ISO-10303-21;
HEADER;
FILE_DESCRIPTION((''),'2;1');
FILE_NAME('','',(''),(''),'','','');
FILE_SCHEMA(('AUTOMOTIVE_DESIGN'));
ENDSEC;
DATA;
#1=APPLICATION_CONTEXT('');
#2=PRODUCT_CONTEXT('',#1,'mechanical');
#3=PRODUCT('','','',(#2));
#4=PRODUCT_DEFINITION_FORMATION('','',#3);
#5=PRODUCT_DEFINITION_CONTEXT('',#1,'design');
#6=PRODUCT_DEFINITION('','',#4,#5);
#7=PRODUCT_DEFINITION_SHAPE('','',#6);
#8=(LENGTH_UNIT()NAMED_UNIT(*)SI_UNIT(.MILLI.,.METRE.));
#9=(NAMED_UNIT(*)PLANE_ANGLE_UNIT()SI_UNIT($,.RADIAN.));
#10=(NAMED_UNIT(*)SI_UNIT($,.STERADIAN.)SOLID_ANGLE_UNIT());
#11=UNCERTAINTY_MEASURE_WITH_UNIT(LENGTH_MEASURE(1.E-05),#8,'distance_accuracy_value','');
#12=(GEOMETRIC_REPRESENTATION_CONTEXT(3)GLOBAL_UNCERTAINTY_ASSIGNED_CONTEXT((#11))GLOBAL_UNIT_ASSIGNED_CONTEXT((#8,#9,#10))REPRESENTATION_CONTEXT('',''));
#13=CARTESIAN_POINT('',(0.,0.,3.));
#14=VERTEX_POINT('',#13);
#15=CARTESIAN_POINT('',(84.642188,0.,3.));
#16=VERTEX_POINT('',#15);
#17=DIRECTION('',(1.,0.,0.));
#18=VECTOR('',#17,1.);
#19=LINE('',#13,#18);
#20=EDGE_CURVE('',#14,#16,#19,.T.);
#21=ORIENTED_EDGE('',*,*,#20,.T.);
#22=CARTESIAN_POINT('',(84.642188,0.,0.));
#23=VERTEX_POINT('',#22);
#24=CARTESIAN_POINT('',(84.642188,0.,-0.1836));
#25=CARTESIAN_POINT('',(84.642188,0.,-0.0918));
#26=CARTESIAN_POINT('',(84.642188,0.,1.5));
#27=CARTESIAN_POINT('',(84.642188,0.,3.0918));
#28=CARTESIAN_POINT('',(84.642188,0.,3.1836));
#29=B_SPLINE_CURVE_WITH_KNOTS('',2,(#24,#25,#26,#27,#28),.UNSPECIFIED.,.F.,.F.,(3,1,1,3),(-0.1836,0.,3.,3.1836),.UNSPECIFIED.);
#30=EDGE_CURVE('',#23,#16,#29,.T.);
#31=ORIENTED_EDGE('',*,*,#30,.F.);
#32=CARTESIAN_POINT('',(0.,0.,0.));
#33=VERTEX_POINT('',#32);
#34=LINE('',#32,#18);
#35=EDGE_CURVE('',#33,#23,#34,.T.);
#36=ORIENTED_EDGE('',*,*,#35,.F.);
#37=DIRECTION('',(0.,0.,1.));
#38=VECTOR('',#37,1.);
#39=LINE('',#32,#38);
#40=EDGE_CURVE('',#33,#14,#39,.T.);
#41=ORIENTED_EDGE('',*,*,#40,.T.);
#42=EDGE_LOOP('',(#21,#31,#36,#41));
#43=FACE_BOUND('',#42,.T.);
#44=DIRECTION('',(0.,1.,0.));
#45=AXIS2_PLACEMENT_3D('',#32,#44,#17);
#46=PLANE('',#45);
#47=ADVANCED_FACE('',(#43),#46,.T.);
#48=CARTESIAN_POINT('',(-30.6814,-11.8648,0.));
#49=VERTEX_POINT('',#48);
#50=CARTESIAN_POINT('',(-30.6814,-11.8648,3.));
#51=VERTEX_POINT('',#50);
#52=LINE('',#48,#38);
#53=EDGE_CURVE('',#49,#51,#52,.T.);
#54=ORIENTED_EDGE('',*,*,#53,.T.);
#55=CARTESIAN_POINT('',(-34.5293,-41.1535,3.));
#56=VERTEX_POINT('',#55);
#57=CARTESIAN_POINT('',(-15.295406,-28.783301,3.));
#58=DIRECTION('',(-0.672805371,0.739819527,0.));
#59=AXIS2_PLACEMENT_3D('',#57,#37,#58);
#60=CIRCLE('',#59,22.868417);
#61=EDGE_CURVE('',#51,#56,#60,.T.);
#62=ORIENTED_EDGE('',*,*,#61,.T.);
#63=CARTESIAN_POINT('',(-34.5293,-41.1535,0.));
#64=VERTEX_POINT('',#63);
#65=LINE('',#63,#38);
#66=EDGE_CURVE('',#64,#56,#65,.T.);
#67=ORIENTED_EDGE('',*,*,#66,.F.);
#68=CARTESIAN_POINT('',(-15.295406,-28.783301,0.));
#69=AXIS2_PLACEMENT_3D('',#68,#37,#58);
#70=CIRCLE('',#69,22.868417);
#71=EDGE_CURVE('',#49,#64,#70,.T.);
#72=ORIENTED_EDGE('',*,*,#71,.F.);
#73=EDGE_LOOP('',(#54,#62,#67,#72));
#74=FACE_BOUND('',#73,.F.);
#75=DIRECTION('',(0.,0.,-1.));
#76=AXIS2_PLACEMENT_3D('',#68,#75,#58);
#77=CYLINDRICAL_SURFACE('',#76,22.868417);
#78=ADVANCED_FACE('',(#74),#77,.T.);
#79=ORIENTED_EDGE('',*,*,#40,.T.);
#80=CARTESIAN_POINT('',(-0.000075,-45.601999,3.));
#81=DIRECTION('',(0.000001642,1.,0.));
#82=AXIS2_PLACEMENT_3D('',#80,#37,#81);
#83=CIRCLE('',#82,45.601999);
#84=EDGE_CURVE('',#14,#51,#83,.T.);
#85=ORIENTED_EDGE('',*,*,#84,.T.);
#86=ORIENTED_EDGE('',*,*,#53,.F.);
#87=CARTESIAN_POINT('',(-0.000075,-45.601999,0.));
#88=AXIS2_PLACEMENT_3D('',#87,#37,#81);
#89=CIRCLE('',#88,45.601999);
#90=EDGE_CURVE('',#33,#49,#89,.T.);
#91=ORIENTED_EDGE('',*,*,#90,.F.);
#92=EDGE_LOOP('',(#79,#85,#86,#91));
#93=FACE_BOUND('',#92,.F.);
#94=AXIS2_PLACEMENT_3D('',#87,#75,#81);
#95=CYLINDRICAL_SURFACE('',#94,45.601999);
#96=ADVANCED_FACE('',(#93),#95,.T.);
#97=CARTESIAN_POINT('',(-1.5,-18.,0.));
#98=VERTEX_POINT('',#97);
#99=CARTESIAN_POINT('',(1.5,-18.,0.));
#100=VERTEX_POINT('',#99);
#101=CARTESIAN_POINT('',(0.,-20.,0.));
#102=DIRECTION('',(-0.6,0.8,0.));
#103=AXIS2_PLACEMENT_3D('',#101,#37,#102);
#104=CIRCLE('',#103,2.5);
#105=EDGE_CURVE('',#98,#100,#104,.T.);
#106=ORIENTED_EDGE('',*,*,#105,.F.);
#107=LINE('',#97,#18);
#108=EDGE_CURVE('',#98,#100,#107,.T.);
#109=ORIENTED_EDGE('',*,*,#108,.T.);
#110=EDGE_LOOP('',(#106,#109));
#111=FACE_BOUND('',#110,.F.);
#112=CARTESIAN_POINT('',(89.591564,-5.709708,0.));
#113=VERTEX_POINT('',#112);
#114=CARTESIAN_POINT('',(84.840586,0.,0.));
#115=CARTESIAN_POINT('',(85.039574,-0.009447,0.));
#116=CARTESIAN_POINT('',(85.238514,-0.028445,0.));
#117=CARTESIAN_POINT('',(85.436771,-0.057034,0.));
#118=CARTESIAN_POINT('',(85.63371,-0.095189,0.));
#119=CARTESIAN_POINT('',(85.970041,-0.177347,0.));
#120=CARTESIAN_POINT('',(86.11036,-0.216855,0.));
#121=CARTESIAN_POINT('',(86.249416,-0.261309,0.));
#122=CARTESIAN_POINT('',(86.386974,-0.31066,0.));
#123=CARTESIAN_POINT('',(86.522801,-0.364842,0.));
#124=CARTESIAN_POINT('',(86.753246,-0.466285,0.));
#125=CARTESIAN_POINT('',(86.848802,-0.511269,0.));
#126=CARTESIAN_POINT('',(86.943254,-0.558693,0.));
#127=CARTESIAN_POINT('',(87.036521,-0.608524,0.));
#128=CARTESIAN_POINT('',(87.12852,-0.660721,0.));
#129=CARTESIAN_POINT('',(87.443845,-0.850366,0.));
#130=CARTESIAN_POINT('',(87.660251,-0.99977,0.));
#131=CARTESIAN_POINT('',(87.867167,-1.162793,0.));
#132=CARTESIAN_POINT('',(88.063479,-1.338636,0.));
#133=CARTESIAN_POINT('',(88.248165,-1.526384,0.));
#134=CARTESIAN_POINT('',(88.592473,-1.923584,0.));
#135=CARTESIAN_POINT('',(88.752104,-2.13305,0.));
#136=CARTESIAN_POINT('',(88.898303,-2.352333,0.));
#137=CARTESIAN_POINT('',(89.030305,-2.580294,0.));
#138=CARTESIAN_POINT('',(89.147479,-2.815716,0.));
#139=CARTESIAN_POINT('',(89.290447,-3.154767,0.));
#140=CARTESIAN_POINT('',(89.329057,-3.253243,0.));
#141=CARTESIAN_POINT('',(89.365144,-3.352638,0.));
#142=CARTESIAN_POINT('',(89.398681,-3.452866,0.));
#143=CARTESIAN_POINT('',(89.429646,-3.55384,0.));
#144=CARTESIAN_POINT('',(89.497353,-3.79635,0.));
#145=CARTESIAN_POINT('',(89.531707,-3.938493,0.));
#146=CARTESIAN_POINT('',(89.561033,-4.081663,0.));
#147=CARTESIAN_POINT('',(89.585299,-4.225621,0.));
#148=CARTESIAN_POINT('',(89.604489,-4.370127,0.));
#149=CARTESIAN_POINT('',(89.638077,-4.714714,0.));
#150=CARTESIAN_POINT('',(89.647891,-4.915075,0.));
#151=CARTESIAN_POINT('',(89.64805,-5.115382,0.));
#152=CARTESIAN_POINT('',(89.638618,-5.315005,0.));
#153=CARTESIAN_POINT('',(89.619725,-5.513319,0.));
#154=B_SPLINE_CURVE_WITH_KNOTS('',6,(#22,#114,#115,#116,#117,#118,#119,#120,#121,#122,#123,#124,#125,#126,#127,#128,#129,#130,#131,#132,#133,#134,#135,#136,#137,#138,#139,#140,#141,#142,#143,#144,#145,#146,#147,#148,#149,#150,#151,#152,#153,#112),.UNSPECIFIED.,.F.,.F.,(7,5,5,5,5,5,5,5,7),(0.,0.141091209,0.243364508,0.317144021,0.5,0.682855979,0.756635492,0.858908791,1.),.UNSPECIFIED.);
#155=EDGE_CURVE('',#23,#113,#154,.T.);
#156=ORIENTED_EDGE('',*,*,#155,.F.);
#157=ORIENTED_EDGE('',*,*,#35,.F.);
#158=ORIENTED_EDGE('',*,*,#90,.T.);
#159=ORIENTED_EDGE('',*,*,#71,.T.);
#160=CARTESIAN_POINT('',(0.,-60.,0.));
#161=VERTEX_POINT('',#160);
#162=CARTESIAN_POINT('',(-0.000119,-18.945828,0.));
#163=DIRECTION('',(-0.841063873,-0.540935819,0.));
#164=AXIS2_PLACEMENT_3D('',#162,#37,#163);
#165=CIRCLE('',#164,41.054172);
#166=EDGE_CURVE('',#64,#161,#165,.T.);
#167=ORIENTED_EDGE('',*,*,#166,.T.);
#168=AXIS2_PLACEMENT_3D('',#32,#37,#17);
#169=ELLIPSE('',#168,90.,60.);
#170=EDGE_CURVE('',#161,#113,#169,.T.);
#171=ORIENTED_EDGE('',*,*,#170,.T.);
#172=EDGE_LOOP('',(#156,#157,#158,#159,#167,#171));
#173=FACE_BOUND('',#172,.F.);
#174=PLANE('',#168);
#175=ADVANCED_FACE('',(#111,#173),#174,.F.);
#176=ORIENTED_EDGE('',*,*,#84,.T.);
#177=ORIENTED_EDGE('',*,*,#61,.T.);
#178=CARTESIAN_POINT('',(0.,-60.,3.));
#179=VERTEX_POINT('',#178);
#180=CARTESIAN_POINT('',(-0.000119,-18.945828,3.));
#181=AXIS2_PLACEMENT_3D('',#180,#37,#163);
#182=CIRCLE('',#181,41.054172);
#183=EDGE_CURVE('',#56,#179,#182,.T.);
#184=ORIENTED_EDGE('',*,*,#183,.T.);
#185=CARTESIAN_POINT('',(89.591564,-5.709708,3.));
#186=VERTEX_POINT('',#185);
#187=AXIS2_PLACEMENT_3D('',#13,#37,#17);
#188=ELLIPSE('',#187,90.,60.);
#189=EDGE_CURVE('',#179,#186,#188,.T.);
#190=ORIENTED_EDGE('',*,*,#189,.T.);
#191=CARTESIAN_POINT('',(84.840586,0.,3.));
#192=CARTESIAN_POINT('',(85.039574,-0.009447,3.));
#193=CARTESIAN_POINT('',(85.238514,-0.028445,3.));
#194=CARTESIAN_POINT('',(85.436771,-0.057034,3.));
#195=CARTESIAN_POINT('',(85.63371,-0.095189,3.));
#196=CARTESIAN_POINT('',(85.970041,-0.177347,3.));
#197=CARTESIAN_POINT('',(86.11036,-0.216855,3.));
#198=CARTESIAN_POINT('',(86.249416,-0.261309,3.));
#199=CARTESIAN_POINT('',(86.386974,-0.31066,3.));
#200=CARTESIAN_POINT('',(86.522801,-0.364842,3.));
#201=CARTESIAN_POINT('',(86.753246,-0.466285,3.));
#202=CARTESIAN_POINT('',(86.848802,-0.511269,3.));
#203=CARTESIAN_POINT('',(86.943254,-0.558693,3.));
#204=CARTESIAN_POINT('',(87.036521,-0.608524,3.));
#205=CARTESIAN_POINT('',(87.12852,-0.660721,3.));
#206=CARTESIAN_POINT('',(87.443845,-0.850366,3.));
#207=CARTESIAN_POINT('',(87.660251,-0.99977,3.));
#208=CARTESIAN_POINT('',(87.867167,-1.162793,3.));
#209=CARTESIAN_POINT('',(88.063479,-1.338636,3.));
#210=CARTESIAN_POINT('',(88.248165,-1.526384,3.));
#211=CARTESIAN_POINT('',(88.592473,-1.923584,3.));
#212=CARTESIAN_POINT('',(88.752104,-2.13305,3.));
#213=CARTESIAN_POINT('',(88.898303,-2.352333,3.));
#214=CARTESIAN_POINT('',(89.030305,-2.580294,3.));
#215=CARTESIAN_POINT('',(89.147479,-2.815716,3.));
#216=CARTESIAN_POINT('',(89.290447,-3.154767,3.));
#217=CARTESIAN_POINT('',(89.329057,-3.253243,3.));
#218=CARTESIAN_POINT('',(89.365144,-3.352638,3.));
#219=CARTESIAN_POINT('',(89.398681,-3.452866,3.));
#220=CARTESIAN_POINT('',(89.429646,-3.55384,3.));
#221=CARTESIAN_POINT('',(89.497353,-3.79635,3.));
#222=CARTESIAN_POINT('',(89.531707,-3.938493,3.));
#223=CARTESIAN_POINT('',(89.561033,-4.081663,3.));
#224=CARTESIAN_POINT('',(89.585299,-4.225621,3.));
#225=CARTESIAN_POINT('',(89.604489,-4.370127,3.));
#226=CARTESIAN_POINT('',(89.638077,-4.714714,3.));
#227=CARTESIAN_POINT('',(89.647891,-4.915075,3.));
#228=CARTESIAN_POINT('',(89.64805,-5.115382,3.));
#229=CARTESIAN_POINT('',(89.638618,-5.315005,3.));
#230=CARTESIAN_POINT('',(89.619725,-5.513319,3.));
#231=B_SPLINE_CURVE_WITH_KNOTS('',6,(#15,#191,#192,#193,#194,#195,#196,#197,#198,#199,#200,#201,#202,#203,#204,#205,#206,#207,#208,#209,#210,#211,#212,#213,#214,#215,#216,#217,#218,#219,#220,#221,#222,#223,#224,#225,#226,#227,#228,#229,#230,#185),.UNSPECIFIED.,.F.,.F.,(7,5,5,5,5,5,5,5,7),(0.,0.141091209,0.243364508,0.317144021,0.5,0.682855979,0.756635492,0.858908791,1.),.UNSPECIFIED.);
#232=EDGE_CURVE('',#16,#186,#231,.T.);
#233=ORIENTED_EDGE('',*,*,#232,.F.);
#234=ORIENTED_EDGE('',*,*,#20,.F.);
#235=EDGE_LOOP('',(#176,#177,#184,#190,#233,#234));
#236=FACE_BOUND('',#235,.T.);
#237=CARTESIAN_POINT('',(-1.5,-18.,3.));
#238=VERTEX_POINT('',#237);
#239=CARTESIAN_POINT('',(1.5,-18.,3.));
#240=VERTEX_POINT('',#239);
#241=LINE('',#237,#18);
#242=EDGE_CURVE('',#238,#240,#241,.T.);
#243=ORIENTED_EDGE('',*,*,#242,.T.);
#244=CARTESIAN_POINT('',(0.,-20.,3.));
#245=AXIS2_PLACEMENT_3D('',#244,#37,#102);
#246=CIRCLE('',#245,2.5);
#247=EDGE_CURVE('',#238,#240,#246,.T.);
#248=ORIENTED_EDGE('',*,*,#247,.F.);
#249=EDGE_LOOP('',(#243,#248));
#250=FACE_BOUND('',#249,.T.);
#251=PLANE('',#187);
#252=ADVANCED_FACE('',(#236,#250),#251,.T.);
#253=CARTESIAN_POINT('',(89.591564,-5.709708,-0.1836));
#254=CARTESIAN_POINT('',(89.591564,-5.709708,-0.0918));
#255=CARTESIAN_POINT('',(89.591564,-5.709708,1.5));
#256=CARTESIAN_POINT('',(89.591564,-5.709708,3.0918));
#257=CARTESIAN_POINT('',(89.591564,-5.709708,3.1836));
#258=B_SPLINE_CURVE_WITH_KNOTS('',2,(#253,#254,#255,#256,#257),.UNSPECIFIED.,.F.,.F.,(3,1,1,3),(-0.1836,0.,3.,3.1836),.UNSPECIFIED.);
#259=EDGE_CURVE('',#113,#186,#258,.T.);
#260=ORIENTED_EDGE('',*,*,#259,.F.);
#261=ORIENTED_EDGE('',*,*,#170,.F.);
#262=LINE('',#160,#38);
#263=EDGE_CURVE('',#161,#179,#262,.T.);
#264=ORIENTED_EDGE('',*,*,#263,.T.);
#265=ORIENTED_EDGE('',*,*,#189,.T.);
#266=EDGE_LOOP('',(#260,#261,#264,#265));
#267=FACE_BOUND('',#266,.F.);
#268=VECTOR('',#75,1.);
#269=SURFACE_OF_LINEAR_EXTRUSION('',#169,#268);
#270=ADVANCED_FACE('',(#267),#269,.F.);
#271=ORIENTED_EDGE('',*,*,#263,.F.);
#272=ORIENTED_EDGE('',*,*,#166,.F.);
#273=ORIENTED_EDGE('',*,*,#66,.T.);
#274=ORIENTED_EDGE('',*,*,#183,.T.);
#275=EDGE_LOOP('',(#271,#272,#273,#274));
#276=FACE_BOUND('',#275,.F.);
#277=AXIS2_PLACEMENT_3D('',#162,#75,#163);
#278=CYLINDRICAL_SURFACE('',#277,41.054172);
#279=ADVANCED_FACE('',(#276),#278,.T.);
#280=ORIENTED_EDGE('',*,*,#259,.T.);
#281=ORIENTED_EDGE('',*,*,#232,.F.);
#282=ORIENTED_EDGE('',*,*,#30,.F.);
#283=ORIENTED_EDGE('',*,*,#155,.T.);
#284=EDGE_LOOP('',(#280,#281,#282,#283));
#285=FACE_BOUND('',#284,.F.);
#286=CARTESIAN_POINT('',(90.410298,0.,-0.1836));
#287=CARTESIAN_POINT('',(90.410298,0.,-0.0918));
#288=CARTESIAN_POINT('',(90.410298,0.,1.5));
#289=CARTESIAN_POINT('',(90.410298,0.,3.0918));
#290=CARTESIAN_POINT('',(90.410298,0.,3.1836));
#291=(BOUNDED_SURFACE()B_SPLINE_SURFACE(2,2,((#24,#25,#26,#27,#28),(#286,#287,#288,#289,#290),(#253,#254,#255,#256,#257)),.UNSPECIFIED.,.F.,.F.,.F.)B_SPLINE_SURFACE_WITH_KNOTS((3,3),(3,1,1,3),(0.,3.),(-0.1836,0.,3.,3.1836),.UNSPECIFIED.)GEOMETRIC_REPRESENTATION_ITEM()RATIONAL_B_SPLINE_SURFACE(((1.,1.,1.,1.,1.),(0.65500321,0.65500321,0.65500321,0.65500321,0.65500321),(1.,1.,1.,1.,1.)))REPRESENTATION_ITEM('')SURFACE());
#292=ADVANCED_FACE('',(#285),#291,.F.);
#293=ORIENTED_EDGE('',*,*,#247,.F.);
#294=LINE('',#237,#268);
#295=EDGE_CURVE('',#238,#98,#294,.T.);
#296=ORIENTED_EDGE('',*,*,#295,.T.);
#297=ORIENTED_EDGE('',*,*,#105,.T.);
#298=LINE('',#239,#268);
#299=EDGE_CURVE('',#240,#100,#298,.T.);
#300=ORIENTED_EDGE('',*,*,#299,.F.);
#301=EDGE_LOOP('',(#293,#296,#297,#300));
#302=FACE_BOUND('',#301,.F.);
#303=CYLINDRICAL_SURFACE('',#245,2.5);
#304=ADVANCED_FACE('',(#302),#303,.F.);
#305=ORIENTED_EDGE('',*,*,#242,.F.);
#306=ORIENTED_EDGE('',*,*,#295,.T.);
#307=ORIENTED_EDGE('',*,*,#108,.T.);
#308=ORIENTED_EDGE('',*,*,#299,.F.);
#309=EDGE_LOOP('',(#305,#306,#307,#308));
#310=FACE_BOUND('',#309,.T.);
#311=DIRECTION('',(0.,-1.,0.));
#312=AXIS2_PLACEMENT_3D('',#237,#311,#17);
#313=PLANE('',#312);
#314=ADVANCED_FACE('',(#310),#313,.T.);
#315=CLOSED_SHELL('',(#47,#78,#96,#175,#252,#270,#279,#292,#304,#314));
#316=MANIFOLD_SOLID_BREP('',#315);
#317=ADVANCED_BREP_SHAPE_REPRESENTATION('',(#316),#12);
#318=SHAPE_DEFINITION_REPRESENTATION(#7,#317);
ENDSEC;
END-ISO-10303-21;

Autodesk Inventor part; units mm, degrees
ref_plane "YZ Plane" through (0, 0, 0) normal (1, 0, 0) x (0, 1, 0)
ref_plane "XZ Plane" through (0, 0, 0) normal (0, 1, 0) x (-1, 0, 0)
ref_plane "XY Plane" through (0, 0, 0) normal (0, 0, 1) x (1, 0, 0)
sketch "Sketch1" plane through (0, 0, 0) normal (0, 0, 1) x (1, 0, 0)
  ellipse E0 centre (0, 0) end of major axis (90, 0) minor radius 60 (0, -60) -> (90, 0) ccw
  line L0 (0, 0) -> (90, 0)
  line L1 (0, -60) -> (0, 0)
  arc A0 (-34.5293, -41.1535) -> (0, -60) centre (0, -18.9457) ccw
  arc A1 (-30.6814, -11.8648) -> (-34.5293, -41.1535) centre (-15.2956, -28.7832) ccw
  arc A2 (0, 0) -> (-30.6814, -11.8648) centre (0, -45.6024) ccw
  point P0 (-30.1245, -11.3745)
  dimension "d0" = 90
  dimension "d1" = 60
extrude "Extrusion1" add sketch "Sketch1" along normal blind 3
fillet "Fillet1" radius 5 1 edges at (90, 0, 1.5)
sketch "Sketch2" plane through (0, 0, 3) normal (0, 0, 1) x (1, 0, 0)
  arc A0 (-1.5, -18) -> (1.5, -18) centre (0, -20) ccw
  line L0 (-1.5, -18) -> (1.5, -18)
  point P0 (0, 0)
  dimension "d5" = 5
  dimension "d6" = 20
  dimension "d7" = 2
extrude "Extrusion2" cut sketch "Sketch2" against normal blind 3
properties part number "cam3"
